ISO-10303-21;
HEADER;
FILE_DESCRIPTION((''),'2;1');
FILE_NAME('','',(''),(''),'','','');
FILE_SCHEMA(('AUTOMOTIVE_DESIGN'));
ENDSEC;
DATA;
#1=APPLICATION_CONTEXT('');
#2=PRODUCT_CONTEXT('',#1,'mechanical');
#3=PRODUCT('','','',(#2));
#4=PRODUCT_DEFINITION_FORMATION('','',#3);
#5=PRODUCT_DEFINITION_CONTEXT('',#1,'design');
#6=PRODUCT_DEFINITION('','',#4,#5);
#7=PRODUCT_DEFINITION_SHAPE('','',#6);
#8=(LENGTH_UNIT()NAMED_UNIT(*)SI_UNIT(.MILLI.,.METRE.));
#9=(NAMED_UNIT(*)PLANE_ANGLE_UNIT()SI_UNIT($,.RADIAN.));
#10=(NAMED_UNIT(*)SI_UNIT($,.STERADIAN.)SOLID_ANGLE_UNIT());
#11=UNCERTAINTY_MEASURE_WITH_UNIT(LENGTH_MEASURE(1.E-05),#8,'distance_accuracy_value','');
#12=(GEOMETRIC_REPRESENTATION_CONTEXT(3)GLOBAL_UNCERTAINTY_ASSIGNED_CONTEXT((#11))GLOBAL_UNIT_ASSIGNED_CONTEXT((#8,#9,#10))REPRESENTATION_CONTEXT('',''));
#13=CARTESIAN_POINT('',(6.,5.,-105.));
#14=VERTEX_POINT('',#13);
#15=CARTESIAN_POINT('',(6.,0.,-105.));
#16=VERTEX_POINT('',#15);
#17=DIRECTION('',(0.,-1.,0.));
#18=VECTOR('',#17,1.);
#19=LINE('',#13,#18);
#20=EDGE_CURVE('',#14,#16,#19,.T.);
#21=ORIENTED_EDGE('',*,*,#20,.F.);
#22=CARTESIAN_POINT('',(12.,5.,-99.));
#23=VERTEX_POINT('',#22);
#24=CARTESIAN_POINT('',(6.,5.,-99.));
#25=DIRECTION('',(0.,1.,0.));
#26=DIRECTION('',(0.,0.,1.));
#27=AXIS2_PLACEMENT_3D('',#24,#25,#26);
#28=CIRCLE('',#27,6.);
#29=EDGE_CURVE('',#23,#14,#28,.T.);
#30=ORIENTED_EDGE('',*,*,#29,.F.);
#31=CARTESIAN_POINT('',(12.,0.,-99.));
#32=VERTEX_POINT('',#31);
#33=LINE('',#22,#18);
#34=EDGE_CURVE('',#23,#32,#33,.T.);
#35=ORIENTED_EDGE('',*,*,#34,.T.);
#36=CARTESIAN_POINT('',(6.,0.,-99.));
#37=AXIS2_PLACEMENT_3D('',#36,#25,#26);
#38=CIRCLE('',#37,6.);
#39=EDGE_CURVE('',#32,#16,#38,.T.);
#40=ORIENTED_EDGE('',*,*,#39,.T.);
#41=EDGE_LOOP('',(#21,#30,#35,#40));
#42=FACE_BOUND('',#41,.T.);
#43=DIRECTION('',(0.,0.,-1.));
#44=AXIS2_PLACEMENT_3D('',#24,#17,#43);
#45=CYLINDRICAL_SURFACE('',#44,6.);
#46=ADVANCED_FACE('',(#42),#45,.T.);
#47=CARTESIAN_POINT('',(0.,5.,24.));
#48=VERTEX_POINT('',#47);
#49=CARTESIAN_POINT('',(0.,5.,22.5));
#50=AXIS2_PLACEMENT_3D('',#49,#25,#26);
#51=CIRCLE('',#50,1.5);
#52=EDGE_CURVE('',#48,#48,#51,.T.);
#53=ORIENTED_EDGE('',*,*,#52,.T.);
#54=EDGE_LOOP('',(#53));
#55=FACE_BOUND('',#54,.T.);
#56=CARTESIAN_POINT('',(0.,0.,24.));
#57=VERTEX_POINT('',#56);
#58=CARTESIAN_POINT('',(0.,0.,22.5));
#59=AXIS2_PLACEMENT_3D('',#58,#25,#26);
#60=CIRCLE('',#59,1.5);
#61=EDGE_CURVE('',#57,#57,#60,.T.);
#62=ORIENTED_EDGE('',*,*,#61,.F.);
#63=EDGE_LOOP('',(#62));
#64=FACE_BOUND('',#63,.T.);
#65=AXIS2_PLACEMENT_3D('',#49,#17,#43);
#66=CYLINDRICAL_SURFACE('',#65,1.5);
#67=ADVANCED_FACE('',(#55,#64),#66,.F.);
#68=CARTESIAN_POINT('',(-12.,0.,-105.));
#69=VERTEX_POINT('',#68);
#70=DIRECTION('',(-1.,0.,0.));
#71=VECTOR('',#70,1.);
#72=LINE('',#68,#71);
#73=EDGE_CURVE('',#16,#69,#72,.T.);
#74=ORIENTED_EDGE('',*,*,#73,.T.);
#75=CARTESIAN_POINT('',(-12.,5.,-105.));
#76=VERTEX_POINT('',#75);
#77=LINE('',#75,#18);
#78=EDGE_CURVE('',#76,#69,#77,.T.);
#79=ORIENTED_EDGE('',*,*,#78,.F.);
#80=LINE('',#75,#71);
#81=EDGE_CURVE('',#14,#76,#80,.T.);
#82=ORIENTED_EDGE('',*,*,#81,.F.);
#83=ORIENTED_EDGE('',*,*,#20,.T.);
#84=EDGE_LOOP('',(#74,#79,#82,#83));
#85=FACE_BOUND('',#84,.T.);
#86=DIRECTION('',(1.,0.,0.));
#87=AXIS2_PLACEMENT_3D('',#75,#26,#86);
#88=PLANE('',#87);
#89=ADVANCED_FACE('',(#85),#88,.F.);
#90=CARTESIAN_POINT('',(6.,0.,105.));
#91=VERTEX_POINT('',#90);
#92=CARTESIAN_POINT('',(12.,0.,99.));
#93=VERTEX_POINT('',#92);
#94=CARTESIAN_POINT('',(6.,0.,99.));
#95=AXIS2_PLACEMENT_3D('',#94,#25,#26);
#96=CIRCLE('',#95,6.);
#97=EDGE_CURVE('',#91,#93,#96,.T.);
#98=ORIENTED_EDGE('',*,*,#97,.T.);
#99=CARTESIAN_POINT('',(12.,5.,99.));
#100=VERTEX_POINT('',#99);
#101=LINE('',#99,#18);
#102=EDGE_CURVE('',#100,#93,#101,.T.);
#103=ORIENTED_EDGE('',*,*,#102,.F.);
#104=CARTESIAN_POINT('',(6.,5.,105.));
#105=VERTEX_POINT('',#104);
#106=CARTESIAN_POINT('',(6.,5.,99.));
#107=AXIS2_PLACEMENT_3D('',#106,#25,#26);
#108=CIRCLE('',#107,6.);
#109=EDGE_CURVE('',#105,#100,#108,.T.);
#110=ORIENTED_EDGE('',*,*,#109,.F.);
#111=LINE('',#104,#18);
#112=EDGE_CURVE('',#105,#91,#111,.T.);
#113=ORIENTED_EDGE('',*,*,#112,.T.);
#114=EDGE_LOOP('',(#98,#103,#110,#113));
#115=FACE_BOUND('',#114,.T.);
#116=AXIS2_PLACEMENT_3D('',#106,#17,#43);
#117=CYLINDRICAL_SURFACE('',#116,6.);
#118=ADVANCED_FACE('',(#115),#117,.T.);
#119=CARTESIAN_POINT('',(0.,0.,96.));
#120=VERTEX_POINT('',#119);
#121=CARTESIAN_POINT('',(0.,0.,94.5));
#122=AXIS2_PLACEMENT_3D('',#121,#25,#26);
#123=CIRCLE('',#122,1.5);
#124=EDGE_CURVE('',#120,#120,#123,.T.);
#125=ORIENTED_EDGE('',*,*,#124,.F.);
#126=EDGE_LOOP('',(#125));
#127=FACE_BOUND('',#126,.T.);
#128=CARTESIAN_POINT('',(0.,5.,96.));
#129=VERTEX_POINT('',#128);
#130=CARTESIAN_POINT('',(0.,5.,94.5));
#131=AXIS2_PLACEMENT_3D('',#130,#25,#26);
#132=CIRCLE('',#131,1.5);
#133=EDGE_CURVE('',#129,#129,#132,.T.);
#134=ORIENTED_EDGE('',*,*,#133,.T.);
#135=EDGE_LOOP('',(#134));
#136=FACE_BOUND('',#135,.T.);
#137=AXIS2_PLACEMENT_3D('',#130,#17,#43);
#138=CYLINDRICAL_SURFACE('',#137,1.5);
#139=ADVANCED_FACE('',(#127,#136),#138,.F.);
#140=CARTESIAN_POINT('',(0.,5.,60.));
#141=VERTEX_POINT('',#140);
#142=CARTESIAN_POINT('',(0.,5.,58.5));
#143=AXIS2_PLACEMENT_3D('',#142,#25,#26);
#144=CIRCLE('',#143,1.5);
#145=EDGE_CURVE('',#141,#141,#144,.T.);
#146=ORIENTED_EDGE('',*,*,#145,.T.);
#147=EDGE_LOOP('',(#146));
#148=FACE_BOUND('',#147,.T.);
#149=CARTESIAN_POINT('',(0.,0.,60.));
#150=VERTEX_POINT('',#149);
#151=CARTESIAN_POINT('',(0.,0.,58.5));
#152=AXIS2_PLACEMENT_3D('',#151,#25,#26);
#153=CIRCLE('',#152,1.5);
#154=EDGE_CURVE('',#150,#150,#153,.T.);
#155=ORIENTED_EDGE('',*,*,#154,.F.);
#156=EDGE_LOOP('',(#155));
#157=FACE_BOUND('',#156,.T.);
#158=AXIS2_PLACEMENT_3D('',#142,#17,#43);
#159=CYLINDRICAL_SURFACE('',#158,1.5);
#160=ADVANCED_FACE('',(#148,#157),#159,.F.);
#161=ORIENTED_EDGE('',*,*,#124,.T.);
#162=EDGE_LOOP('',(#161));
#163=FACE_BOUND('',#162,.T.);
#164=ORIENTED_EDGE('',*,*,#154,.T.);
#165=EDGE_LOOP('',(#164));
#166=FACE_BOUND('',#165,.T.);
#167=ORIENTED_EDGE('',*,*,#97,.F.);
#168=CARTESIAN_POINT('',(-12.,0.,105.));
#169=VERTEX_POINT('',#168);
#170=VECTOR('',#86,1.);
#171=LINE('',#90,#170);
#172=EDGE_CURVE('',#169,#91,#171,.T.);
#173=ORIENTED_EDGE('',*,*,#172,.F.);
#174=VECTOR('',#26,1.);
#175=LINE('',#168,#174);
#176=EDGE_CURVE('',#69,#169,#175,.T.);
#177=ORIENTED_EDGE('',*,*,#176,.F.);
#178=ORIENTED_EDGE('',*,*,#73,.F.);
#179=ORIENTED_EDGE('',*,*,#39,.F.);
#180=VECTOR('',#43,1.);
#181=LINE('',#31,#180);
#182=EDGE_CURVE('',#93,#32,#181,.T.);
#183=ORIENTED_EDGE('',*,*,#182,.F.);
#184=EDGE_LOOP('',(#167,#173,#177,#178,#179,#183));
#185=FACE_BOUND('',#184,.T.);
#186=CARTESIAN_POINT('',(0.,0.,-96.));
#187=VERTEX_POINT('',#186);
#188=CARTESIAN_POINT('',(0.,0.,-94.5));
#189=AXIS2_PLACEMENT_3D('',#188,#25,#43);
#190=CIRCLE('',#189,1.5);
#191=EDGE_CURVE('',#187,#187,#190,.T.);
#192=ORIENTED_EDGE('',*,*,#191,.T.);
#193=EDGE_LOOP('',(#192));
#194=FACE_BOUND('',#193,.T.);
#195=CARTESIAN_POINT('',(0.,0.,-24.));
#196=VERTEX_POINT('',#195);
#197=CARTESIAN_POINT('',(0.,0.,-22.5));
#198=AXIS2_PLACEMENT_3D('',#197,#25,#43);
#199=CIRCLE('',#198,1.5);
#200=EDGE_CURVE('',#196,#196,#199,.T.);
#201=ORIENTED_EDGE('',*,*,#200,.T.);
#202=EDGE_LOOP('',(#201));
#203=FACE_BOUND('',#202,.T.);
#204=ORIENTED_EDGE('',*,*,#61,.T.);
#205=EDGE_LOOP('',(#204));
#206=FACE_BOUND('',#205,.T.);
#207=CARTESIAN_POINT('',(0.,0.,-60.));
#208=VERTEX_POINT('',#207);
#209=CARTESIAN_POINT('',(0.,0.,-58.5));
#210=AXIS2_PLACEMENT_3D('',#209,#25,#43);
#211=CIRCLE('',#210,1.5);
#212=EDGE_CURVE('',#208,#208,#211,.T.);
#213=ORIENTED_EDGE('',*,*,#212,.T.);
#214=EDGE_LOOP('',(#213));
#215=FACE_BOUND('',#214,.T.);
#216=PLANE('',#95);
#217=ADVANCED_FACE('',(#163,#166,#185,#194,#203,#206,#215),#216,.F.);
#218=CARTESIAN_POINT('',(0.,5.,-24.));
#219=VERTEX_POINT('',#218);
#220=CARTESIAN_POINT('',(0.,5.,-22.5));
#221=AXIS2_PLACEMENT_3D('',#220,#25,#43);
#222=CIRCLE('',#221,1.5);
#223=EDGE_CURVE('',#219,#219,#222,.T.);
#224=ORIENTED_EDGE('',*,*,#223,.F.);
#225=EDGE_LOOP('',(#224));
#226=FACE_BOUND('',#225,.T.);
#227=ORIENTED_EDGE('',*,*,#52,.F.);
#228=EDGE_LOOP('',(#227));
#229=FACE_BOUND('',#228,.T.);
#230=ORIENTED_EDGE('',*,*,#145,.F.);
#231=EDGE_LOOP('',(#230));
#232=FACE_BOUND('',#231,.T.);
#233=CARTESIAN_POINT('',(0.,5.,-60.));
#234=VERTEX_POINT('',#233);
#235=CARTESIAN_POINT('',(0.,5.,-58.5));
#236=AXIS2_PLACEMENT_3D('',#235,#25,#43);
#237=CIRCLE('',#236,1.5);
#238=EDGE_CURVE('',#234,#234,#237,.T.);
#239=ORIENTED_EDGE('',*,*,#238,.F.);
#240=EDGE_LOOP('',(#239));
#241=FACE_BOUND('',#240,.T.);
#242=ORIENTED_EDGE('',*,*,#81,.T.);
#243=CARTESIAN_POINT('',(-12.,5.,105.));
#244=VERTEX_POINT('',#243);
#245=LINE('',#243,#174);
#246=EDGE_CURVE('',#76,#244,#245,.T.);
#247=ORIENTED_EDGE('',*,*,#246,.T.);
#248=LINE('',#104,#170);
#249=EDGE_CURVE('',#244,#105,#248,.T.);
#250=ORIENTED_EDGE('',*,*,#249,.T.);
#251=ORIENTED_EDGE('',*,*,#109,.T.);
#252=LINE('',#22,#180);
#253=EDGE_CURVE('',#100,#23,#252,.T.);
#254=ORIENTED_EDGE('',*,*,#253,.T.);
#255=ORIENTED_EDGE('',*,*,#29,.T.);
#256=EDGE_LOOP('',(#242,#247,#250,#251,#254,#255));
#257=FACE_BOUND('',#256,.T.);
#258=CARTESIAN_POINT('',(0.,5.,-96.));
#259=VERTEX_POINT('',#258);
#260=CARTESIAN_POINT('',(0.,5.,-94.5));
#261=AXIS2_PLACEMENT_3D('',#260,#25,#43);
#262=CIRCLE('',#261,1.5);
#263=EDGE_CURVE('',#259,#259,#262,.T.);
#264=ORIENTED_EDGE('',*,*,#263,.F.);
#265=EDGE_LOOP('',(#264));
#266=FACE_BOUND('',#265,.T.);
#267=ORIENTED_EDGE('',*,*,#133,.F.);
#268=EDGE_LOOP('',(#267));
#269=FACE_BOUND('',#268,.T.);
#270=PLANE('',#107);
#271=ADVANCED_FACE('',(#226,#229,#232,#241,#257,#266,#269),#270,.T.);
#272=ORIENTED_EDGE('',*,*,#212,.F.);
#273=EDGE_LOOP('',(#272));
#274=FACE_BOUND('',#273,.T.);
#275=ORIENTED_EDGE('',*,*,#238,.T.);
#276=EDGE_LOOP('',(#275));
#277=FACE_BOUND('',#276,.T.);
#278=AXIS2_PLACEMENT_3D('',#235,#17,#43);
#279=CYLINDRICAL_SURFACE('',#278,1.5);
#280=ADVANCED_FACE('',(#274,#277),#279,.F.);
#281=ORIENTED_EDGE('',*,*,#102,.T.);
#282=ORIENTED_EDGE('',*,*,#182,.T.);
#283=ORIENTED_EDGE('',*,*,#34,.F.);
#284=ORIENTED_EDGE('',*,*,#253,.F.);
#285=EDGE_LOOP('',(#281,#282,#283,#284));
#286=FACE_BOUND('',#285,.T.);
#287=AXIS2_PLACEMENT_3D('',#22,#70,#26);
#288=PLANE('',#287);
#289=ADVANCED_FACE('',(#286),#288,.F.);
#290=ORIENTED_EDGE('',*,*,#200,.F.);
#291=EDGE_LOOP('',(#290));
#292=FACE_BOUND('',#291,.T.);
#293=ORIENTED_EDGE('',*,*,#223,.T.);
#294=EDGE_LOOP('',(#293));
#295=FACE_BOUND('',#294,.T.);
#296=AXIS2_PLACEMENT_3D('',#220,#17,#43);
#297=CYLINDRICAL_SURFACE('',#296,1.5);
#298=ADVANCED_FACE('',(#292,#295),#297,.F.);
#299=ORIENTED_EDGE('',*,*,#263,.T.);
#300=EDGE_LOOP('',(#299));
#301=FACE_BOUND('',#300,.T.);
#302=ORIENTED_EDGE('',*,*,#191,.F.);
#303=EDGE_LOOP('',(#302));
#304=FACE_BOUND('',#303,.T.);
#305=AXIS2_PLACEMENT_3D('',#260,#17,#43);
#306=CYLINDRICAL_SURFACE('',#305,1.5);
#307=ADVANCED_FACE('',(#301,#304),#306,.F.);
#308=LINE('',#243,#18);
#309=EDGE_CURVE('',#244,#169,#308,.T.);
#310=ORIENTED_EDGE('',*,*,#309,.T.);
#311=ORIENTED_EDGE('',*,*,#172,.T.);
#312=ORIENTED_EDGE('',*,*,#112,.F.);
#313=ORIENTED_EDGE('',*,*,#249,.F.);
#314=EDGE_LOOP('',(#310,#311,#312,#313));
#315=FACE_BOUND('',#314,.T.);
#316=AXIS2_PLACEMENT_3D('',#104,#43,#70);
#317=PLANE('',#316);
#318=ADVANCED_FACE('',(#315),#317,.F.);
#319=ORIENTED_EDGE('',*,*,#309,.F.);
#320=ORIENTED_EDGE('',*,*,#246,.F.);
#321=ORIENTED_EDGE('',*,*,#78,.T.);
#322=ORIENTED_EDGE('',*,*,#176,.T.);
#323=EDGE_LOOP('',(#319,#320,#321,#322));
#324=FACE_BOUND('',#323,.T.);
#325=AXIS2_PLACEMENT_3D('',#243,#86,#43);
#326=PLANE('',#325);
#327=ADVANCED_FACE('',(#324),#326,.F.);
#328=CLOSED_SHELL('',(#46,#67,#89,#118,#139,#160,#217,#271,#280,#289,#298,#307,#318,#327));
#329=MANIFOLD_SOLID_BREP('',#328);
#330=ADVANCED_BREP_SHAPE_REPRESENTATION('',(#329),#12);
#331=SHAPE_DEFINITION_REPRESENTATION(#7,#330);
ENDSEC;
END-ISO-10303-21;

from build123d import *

# Parameters (mm, degrees)
SKETCH1_R           = 1.5
BOSS_EXTRUDE1_DEPTH = 5


with BuildPart() as part:
    # Sketch1 → Boss-Extrude1 (new body)
    with BuildSketch(Plane(origin=(0, 0, 0), x_dir=(1, 0, 0), z_dir=(0, 1, 0))):
        with BuildLine():
            Line((-12, -105), (-12, 105))
            Line((-12, 105), (6, 105))
            ThreePointArc((6, 105), (10.242640687, 103.242640687), (12, 99))
            Line((12, 99), (12, -99))
            ThreePointArc((12, -99), (10.242640687, -103.242640687), (6, -105))
            Line((6, -105), (-12, -105))
        make_face()
        with Locations(Location((0, -94.5, 0), (0, 0, 270))):
            Circle(SKETCH1_R, mode=Mode.SUBTRACT)
        with Locations(Location((0, -58.5, 0), (0, 0, 270))):
            Circle(SKETCH1_R, mode=Mode.SUBTRACT)
        with Locations(Location((0, -22.5, 0), (0, 0, 270))):
            Circle(SKETCH1_R, mode=Mode.SUBTRACT)
        with Locations(Location((0, 94.5, 0), (0, 0, 90))):
            Circle(SKETCH1_R, mode=Mode.SUBTRACT)
        with Locations(Location((0, 58.5, 0), (0, 0, 90))):
            Circle(SKETCH1_R, mode=Mode.SUBTRACT)
        with Locations(Location((0, 22.5, 0), (0, 0, 90))):
            Circle(SKETCH1_R, mode=Mode.SUBTRACT)
    extrude(amount=BOSS_EXTRUDE1_DEPTH)


solid = part.part
